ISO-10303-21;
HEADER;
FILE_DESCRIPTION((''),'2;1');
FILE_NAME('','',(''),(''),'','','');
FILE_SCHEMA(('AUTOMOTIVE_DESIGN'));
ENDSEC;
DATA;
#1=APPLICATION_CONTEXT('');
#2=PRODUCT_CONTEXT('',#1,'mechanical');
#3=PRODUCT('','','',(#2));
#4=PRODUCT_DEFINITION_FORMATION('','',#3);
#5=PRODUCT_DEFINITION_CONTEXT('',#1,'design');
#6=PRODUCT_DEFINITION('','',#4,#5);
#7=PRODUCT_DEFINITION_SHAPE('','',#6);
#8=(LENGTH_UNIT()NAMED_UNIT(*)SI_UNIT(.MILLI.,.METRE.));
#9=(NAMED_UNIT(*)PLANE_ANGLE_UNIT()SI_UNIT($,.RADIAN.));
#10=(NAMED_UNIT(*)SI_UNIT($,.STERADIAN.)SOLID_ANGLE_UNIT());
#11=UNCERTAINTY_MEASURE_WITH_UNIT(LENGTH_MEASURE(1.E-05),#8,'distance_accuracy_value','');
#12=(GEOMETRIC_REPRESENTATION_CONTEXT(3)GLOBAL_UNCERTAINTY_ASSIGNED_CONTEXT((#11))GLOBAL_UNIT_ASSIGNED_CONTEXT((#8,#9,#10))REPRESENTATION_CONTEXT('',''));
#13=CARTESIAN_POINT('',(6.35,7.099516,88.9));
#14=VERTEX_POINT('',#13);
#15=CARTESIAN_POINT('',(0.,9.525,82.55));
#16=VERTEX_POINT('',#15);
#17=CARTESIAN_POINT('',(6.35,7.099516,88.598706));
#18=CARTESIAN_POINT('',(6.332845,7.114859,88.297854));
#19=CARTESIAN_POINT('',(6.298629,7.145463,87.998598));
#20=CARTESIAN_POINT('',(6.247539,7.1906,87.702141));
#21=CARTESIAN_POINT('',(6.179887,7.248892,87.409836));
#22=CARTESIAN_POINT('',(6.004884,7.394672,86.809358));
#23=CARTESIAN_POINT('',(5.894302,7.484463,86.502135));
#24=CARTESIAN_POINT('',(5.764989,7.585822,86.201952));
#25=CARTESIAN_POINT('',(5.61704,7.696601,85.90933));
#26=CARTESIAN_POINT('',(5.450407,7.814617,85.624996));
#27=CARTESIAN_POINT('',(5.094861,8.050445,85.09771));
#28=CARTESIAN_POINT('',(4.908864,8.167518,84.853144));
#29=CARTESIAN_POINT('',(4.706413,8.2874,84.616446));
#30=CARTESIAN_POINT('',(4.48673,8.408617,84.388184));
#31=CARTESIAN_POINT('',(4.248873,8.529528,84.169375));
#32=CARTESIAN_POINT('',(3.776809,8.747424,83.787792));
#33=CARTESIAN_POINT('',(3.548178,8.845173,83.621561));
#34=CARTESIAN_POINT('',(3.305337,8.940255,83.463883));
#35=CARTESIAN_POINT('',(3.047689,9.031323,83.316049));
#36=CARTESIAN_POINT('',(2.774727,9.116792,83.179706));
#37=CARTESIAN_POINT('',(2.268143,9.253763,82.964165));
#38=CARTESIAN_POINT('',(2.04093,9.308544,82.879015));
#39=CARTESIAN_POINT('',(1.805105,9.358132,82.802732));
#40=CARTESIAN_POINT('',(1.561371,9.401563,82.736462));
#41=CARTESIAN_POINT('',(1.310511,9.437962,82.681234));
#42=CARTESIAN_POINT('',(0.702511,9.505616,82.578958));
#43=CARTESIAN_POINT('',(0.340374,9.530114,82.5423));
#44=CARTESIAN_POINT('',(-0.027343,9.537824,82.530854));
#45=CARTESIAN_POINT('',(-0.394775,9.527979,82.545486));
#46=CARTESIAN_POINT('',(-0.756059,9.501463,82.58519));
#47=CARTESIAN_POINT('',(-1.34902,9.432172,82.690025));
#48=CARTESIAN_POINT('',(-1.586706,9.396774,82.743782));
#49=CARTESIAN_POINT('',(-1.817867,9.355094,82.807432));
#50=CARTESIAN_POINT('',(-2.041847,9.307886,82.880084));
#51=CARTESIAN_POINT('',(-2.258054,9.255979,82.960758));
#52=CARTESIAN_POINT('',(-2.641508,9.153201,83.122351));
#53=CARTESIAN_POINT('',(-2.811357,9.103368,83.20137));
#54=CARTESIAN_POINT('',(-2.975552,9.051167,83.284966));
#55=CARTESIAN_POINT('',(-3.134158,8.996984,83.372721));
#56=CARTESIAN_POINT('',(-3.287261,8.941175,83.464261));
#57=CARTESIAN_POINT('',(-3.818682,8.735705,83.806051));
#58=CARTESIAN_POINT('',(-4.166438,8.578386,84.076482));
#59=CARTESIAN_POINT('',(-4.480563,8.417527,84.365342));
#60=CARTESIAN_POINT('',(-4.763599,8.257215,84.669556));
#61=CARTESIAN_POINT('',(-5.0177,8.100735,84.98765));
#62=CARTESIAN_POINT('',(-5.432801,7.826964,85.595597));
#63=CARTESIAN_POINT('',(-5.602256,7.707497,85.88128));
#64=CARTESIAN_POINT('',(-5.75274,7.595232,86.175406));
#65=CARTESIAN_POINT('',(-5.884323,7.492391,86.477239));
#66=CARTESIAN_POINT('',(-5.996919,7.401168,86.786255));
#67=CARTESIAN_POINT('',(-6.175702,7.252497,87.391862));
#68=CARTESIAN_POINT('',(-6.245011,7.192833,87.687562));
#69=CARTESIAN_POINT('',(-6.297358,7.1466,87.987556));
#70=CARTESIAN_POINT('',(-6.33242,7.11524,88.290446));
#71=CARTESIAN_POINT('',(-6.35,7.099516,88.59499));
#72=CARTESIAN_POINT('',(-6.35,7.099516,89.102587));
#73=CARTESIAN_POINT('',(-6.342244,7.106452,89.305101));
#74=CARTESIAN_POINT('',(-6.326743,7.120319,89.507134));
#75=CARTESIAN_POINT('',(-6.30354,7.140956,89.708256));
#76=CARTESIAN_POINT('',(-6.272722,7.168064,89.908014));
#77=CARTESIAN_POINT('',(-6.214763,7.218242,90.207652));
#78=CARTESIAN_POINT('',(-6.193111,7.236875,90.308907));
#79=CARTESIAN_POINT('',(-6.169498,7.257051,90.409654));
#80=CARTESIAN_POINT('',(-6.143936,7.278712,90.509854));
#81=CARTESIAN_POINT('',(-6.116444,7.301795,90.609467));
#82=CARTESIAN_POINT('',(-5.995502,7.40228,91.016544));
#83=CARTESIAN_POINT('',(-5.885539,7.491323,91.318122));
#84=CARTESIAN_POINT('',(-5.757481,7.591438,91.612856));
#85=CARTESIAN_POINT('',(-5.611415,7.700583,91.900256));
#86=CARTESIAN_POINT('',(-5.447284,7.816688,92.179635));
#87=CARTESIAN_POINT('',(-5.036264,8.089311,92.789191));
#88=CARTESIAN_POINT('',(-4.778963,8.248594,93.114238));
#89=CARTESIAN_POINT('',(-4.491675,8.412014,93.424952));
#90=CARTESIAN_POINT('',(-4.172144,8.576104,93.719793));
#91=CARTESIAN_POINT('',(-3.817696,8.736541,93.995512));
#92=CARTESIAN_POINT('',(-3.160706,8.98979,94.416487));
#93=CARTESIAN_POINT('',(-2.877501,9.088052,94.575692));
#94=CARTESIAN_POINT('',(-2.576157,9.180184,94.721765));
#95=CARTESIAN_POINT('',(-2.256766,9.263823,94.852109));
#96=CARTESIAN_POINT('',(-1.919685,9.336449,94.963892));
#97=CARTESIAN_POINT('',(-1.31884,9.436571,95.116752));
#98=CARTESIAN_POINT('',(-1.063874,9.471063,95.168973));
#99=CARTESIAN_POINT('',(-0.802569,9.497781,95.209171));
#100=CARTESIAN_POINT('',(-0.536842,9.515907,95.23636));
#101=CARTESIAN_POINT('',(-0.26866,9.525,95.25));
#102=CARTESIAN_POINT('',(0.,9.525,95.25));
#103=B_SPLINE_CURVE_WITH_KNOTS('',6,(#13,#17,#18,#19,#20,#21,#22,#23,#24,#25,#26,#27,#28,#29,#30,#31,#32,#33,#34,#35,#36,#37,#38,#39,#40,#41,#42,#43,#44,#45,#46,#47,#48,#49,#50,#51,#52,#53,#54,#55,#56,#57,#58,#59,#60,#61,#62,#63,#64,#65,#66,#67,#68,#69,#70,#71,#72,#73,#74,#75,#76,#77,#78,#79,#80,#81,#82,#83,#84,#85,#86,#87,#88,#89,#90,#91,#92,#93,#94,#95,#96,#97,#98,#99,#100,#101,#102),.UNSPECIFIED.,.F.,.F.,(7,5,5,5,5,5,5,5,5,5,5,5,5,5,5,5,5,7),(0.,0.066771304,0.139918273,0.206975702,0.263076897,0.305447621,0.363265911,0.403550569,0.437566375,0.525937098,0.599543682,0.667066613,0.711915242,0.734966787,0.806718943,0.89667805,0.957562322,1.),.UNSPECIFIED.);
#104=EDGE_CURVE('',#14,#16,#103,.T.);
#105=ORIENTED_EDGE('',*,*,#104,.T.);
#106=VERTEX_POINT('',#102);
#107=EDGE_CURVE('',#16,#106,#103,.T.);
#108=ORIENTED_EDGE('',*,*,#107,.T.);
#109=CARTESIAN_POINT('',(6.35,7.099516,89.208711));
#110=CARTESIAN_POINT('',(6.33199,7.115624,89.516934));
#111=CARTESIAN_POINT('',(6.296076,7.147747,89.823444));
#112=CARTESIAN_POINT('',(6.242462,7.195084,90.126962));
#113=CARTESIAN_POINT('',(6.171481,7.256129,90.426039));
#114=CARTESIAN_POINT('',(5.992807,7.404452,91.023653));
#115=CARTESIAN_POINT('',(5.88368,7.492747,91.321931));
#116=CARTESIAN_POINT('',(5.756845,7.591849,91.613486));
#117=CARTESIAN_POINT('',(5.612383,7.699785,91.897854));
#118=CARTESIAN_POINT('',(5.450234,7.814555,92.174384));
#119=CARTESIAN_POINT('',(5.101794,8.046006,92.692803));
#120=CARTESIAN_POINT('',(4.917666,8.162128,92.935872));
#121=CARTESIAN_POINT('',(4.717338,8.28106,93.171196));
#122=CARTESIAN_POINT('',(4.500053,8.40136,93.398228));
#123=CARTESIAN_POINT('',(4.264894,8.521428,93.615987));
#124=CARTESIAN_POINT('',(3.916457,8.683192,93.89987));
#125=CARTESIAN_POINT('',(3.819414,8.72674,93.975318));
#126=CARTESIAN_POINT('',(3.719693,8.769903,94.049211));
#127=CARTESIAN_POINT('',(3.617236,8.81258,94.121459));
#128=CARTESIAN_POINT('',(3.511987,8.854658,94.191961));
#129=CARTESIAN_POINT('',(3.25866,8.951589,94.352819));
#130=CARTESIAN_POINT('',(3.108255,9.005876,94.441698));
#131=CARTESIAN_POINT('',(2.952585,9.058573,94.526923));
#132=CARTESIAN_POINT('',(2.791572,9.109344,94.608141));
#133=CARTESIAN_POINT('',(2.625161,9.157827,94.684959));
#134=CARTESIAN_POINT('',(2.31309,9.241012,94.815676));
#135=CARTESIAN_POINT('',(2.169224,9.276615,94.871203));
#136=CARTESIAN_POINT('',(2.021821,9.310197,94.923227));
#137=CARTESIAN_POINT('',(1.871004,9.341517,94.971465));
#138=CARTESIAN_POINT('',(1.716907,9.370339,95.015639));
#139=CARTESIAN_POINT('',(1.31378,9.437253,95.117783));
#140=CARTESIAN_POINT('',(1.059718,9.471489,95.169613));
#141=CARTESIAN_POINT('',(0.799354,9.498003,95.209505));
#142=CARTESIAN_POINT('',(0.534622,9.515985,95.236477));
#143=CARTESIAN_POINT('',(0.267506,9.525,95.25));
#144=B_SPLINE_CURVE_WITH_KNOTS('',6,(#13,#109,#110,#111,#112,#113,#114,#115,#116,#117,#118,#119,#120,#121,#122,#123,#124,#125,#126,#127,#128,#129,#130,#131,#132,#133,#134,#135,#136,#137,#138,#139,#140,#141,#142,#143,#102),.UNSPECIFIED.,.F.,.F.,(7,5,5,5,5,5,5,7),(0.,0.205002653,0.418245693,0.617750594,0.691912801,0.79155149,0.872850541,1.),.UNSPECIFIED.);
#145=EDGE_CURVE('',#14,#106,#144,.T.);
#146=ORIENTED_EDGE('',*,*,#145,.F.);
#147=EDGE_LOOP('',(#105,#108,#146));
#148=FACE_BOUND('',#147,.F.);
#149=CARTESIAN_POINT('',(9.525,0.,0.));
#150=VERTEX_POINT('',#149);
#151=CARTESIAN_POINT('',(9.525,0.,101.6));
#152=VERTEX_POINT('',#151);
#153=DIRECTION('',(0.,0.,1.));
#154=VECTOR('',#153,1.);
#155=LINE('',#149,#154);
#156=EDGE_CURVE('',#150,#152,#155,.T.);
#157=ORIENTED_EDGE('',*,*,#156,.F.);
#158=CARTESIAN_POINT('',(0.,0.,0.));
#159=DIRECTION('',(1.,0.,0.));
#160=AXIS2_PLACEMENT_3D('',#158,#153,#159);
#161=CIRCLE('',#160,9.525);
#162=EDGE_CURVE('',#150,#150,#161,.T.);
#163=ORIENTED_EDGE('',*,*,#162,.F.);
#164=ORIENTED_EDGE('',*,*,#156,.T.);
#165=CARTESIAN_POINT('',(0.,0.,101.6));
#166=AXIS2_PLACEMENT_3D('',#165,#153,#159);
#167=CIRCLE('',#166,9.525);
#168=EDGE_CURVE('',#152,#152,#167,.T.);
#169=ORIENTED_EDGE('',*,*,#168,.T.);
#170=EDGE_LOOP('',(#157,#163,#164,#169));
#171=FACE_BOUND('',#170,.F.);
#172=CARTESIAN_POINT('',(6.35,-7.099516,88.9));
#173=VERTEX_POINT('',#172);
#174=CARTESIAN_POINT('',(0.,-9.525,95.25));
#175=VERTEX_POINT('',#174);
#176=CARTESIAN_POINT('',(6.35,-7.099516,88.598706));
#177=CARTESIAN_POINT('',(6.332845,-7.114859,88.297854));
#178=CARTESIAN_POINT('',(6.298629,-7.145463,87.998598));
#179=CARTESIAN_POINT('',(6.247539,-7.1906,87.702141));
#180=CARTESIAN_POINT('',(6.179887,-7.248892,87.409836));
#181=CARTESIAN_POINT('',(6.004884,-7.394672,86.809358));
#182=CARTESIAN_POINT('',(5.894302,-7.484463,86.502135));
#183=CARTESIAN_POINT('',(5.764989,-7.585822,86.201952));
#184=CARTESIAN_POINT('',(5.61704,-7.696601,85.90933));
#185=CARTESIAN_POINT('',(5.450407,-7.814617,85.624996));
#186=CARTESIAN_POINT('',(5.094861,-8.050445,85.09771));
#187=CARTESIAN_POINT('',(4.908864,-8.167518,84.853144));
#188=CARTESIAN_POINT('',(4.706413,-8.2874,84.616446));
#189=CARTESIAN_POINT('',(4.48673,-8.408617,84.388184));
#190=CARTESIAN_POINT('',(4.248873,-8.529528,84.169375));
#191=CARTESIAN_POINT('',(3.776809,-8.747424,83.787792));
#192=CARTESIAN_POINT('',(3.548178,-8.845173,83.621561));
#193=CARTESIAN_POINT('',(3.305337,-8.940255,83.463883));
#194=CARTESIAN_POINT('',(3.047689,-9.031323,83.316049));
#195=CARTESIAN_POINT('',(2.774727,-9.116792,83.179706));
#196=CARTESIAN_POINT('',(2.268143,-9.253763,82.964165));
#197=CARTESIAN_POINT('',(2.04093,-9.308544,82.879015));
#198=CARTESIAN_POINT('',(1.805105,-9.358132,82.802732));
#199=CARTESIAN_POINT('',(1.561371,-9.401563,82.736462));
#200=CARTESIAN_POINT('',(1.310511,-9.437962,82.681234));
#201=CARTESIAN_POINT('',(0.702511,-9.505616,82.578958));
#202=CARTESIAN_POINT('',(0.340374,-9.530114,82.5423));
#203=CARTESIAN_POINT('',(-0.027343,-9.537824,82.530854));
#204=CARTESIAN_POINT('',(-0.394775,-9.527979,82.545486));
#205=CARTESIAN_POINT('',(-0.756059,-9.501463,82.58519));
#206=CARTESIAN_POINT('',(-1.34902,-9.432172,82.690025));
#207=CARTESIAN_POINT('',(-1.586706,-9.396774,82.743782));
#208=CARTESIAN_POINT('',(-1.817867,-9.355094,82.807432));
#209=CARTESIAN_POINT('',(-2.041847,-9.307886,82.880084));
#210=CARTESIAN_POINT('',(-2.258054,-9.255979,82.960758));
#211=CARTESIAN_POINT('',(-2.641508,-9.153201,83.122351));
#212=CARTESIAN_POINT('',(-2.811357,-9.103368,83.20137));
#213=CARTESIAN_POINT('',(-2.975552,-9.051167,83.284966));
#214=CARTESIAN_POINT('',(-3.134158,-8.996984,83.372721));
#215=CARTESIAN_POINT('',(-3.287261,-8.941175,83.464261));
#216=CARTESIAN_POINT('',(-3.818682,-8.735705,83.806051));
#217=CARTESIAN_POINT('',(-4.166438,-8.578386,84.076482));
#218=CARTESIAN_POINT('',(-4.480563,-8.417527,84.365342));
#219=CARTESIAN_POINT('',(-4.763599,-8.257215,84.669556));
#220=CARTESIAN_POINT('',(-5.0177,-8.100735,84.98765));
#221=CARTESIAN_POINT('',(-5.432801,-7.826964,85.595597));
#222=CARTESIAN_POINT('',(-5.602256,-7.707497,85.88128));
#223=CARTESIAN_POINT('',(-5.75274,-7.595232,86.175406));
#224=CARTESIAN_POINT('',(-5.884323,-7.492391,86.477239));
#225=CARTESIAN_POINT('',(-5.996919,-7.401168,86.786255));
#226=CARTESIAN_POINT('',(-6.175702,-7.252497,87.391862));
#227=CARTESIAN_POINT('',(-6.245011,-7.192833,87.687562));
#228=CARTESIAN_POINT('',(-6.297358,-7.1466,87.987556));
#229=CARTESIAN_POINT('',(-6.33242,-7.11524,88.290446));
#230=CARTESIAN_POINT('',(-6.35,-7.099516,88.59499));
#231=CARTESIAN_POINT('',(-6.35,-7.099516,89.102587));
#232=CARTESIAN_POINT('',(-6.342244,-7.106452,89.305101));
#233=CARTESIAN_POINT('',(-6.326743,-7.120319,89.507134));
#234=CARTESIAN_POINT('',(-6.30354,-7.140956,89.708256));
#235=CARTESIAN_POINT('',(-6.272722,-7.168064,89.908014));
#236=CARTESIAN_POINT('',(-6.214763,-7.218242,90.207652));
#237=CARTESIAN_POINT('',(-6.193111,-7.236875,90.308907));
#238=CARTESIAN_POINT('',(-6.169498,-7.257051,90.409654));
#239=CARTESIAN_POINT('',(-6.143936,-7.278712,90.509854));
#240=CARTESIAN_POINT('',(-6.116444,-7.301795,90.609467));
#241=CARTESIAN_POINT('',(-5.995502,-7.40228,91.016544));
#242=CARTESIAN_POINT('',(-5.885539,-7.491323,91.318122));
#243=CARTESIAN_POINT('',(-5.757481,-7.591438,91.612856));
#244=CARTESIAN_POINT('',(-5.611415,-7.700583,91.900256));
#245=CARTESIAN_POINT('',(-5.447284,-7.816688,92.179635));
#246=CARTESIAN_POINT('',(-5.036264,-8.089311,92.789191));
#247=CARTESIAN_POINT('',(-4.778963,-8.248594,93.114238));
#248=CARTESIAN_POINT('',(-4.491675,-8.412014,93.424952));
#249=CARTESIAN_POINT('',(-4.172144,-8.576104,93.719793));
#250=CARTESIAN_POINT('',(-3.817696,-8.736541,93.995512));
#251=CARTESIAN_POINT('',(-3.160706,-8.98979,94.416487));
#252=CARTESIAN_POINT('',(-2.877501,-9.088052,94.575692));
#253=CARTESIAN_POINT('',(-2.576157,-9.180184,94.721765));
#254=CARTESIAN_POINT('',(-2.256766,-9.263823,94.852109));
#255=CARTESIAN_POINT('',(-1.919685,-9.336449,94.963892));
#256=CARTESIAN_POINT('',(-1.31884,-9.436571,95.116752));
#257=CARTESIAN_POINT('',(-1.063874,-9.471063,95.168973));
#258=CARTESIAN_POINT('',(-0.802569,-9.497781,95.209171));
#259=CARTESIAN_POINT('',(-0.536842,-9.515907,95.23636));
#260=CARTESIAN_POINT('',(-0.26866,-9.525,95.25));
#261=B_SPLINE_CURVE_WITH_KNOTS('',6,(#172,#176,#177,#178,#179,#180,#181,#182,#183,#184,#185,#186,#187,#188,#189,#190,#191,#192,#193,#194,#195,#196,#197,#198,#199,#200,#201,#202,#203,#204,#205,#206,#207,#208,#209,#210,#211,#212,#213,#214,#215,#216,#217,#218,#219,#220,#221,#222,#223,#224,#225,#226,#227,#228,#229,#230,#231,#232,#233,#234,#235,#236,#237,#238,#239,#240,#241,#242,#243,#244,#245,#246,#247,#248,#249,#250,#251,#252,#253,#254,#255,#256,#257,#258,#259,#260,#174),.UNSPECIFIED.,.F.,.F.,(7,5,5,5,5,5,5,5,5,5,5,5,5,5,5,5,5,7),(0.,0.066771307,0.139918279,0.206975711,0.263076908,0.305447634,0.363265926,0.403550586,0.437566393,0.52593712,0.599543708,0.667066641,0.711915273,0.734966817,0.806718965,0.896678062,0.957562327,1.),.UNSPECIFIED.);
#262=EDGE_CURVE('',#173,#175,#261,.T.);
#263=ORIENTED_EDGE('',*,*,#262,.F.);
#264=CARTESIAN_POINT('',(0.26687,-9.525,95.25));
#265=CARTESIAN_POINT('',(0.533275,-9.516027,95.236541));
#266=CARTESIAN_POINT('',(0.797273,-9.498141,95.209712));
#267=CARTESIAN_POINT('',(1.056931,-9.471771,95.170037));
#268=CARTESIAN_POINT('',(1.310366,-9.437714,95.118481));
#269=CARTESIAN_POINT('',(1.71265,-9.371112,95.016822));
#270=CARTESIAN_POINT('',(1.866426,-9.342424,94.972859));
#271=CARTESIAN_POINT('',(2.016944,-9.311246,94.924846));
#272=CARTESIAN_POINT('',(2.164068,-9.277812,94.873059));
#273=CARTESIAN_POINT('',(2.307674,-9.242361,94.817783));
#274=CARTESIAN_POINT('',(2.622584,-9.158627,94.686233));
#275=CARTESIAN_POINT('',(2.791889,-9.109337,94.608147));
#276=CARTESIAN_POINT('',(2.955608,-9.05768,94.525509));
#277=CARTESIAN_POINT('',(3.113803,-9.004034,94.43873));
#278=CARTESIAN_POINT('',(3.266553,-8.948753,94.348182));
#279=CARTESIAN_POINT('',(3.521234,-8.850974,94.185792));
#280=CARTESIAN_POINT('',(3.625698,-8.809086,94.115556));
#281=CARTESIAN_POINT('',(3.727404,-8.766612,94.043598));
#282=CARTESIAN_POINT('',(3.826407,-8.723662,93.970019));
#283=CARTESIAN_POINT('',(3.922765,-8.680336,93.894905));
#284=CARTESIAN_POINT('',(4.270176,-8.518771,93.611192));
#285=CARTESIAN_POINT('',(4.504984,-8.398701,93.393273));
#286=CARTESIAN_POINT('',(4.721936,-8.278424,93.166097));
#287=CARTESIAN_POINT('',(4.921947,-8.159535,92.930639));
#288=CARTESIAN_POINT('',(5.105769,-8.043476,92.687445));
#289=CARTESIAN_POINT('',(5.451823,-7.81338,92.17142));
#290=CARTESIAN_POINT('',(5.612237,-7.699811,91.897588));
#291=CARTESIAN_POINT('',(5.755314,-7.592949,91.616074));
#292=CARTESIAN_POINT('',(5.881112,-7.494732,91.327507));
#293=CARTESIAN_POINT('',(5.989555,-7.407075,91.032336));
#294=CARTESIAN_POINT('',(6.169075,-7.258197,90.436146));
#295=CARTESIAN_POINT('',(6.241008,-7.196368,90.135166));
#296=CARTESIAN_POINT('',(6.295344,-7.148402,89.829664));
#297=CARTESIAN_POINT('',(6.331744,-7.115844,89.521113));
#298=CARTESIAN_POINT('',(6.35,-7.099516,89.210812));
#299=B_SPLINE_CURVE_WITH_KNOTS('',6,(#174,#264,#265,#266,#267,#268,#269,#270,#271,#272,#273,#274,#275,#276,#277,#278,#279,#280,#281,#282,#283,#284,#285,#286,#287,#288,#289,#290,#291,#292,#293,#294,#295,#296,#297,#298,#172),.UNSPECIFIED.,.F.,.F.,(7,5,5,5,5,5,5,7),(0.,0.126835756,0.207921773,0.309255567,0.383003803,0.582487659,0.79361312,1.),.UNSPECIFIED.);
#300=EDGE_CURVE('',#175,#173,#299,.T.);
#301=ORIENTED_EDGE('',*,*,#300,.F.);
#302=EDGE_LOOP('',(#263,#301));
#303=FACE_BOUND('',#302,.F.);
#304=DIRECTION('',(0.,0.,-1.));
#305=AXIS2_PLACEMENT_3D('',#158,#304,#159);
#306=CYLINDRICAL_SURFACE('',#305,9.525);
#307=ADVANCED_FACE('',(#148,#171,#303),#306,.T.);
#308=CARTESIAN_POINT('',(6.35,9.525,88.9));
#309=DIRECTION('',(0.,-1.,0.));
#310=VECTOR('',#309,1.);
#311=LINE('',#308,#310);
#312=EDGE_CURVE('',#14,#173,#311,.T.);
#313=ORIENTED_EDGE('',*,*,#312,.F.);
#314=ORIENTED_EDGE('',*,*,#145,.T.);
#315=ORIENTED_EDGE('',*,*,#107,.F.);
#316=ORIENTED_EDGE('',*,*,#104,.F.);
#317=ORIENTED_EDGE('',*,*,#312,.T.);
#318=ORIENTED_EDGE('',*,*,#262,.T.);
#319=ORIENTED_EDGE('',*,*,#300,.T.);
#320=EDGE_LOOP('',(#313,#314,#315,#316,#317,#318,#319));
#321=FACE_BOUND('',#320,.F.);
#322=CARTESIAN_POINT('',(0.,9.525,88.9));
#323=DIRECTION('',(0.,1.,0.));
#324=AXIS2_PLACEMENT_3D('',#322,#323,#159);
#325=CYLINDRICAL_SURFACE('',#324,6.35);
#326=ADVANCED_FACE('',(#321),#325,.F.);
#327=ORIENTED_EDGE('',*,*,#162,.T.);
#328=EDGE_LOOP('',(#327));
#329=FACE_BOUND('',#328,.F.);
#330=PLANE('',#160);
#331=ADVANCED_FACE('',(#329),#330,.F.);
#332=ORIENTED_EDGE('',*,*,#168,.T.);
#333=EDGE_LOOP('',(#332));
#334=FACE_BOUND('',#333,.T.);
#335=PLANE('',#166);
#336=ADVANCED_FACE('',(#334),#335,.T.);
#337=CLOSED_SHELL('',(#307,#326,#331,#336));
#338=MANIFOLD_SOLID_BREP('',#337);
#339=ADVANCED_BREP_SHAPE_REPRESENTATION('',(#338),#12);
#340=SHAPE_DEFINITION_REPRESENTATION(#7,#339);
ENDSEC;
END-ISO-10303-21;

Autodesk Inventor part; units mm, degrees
ref_plane "YZ Plane" through (0, 0, 0) normal (1, 0, 0) x (0, 1, 0)
ref_plane "XZ Plane" through (0, 0, 0) normal (0, 1, 0) x (-1, 0, 0)
sketch "Sketch1" plane through (0, 0, 0) normal (0, 0, 1) x (1, 0, 0)
  circle A0 centre (0, 0) radius 9.525
  dimension "d0" = 19.05
extrude "Extrusion1" add sketch "Sketch1" along normal blind 101.6
ref_plane "Work Plane2" through (0, 9.525, 101.6) normal (0, 1, 0) x (1, 0, 0)
sketch "Sketch3" plane through (0, 9.525, 101.6) normal (0, 1, 0) x (1, 0, 0)
  line L0 (0, 0) -> (0, 12.7)
  circle A0 centre (0, 12.7) radius 6.35
  point P0 (0, 101.6)
  dimension "d5" = 12.7
  dimension "d6" = 12.7
extrude "Extrusion3" cut sketch "Sketch3" against normal blind 25.4
properties part number "CrankP2_SBail"
